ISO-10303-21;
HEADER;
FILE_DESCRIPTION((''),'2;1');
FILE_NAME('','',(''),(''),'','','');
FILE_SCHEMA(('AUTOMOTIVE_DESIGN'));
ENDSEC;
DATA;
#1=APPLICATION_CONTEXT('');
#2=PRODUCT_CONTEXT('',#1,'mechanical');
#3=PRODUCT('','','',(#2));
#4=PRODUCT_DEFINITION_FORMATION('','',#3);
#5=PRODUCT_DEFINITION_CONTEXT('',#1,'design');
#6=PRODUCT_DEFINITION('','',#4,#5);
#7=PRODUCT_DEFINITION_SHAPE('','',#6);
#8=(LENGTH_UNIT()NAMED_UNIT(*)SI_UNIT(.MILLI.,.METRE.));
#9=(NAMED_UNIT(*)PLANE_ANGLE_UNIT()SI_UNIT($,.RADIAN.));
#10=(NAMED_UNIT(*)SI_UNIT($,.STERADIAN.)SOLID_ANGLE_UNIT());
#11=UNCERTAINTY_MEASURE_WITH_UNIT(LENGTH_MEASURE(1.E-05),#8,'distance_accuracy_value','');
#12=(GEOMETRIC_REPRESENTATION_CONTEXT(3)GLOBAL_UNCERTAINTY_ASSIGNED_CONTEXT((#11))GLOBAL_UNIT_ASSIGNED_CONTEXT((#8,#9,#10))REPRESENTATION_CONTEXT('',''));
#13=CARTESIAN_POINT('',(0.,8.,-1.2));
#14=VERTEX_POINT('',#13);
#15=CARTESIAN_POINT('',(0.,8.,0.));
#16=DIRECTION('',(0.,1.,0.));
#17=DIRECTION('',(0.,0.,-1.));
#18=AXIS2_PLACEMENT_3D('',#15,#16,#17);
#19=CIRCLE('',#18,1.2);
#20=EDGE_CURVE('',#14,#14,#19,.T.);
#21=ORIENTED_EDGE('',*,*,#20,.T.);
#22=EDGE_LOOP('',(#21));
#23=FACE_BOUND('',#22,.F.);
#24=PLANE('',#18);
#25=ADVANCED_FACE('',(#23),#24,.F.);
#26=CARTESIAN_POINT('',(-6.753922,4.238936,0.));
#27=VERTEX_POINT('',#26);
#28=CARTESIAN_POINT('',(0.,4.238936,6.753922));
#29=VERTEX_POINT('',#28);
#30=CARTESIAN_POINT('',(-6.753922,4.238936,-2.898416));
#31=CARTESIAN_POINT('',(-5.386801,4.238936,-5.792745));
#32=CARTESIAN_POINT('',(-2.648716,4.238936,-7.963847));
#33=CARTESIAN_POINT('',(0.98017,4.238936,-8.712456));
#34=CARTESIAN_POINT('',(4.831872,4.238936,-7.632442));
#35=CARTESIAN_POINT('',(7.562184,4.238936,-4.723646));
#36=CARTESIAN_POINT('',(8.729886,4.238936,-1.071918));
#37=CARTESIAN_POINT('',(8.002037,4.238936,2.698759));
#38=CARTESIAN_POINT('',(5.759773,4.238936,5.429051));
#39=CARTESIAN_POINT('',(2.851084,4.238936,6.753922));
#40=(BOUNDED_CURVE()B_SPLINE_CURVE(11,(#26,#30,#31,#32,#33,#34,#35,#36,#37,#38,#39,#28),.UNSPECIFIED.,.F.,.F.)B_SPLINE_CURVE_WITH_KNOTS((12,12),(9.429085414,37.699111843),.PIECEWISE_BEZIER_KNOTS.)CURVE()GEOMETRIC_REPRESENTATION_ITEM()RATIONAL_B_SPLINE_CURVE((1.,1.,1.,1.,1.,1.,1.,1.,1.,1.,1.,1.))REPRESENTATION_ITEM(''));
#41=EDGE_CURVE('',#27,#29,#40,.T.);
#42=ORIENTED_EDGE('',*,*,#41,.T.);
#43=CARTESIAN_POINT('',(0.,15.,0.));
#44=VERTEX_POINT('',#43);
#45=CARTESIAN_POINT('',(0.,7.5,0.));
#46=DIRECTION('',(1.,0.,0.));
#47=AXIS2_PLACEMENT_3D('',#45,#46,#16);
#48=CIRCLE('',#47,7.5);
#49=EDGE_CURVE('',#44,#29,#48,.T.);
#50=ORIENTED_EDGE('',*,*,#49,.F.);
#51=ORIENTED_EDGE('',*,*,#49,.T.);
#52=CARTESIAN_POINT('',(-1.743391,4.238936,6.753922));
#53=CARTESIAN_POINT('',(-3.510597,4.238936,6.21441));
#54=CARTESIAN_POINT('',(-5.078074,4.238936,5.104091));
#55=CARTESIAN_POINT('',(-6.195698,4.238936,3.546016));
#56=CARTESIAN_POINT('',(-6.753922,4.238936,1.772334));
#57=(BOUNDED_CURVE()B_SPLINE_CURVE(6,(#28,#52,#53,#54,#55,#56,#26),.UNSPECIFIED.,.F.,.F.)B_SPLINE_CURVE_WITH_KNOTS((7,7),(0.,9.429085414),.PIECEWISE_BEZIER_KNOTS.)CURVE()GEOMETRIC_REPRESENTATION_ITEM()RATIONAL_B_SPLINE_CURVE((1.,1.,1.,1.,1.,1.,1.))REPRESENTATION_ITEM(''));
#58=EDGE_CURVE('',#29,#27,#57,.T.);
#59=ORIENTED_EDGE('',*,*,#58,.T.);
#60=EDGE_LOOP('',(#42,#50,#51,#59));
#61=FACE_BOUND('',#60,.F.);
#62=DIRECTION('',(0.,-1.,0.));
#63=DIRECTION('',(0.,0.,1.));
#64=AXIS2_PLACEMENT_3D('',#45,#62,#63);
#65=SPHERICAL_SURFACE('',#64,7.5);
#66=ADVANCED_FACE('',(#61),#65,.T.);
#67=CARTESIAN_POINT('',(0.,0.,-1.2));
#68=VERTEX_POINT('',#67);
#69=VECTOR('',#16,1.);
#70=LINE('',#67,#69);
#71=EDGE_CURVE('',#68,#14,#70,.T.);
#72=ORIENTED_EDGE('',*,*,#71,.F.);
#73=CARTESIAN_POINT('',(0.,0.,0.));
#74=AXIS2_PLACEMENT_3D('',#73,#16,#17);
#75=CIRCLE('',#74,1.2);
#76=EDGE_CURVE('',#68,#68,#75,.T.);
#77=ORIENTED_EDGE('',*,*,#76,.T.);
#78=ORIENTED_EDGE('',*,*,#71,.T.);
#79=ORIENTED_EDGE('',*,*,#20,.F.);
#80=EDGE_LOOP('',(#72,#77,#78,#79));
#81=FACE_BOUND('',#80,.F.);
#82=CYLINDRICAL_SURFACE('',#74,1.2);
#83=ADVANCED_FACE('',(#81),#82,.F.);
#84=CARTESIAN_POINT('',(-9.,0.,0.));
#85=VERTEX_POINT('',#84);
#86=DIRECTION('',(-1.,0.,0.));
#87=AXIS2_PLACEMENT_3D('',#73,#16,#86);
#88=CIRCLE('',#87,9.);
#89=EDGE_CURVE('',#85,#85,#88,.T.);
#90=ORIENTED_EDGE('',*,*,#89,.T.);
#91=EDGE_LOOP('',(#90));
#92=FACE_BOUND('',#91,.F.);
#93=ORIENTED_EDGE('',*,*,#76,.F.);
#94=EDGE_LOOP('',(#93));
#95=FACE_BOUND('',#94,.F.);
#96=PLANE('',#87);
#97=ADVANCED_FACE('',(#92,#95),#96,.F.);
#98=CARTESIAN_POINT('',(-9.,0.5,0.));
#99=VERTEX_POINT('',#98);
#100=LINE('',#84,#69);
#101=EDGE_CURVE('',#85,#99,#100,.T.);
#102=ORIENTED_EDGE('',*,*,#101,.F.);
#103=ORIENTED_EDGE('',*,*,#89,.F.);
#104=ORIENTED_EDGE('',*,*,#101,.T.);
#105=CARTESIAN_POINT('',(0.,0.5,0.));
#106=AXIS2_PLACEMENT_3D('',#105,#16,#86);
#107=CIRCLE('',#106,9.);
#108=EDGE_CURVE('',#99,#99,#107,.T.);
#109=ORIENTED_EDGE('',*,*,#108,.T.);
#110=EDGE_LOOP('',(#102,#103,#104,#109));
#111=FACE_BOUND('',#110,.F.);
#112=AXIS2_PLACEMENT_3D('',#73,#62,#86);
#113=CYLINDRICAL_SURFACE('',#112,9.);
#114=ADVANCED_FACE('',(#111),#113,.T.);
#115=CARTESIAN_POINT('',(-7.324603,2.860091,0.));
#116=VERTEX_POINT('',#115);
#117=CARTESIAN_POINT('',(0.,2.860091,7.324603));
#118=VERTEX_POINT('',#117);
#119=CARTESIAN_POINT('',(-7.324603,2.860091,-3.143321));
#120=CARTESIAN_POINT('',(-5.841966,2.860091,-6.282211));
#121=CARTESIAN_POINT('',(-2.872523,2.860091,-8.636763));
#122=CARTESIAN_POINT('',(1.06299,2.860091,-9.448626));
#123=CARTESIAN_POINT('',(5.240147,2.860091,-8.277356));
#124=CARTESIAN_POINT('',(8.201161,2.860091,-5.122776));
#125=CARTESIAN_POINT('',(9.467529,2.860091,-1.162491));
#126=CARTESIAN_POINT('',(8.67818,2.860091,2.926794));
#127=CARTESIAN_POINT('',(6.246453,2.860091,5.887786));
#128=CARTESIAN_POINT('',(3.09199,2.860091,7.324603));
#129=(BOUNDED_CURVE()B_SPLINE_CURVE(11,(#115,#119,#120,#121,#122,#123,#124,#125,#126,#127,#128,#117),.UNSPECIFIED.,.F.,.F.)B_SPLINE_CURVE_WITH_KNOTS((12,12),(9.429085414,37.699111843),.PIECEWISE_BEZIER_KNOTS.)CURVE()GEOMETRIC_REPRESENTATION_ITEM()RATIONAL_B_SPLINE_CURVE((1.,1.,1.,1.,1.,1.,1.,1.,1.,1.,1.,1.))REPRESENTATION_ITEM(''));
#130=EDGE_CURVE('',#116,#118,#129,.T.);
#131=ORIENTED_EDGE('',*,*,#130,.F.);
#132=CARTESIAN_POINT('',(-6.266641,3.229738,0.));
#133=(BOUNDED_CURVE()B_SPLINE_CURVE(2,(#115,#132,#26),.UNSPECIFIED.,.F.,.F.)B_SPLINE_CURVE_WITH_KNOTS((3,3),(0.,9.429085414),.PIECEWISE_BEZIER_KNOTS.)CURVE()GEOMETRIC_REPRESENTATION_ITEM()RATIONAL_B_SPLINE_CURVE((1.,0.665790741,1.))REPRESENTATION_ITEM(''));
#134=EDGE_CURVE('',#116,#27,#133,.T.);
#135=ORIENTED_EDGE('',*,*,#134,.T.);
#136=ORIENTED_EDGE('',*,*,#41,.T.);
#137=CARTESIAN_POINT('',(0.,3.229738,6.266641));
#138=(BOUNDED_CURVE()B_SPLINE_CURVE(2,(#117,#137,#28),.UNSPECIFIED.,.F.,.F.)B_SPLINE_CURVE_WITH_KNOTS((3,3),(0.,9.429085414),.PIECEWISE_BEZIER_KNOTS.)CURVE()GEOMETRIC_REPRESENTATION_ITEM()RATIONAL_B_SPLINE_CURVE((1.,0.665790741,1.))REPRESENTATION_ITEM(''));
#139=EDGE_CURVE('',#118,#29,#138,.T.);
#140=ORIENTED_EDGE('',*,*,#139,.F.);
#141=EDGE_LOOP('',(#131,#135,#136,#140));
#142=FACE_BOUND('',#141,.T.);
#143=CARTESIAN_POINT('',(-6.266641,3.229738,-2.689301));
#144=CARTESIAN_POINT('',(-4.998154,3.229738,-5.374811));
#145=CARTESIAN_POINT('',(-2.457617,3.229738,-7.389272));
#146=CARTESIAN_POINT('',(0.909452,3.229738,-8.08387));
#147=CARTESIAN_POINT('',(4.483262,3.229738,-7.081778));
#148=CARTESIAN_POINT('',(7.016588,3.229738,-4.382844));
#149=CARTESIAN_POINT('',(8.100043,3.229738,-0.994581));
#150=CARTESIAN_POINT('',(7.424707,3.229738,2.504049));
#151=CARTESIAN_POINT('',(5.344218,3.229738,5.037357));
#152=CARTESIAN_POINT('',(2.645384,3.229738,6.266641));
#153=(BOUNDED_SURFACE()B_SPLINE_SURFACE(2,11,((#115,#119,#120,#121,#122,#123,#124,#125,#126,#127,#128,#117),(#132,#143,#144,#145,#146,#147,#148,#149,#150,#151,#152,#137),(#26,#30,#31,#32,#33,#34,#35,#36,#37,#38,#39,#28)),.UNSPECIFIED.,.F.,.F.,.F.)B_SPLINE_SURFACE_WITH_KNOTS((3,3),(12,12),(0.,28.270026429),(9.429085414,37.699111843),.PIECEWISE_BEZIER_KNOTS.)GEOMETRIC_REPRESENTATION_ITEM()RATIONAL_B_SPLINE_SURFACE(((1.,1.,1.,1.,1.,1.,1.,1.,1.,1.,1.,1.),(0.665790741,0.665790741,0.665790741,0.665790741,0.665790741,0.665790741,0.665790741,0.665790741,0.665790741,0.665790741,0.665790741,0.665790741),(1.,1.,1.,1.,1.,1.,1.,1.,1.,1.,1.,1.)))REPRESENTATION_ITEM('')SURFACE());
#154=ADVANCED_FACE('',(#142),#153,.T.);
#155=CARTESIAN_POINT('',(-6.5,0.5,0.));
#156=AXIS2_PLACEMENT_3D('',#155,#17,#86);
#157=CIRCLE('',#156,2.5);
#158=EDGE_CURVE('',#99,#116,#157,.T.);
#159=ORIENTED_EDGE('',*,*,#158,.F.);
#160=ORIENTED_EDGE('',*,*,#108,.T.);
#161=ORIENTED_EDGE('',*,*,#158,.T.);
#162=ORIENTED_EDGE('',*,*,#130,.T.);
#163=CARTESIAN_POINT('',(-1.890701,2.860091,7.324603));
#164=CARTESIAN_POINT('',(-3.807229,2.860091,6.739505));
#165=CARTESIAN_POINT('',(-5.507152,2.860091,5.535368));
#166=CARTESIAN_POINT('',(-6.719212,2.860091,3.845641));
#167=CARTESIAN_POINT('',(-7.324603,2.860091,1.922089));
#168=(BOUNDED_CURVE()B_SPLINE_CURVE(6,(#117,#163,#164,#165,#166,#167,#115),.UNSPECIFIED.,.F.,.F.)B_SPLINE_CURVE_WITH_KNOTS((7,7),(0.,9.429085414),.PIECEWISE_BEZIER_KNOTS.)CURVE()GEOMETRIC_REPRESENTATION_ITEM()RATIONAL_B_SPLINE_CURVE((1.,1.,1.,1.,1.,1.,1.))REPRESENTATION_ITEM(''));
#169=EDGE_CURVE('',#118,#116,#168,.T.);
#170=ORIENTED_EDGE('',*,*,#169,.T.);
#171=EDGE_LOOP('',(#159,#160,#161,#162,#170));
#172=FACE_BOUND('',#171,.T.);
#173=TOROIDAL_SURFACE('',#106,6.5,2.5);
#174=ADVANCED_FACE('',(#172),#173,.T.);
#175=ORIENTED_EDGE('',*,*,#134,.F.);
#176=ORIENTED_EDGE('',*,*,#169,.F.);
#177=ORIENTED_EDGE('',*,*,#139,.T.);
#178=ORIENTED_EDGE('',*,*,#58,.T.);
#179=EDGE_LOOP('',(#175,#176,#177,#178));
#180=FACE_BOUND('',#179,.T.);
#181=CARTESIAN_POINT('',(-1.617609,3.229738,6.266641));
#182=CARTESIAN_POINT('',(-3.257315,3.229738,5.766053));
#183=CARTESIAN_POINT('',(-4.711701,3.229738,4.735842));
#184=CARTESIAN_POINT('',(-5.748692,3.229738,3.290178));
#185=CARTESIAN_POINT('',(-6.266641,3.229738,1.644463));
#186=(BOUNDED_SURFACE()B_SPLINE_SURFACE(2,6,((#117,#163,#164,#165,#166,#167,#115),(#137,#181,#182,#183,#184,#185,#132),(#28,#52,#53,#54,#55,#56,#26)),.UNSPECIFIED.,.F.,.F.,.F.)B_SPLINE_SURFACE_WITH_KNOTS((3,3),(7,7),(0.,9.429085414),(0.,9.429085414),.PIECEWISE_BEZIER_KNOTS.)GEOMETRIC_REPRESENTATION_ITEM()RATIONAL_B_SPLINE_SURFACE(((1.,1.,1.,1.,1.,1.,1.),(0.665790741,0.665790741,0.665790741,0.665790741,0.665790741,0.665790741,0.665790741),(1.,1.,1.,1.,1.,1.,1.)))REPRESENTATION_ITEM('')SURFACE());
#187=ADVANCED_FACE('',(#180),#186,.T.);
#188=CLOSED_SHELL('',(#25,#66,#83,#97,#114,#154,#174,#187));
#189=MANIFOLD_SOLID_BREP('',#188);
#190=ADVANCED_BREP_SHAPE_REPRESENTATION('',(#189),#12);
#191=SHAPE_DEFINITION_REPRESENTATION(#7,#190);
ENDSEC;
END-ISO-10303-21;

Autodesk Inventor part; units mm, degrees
ref_plane "YZ Plane" through (0, 0, 0) normal (1, 0, 0) x (0, 1, 0)
ref_plane "XZ Plane" through (0, 0, 0) normal (0, 1, 0) x (-1, 0, 0)
ref_plane "XY Plane" through (0, 0, 0) normal (0, 0, 1) x (1, 0, 0)
sketch "Esboço1" plane through (0, 0, 0) normal (0, 1, 0) x (-1, 0, 0)
  circle A0 centre (0, 0) radius 9
  dimension "d0" = 18
extrude "Extrusão1" add sketch "Esboço1" along normal blind 3
fillet "Arredondamento1" radius 2.5 1 edges at (9, 3, 0)
sketch "Esboço2" plane through (0, 0, 0) normal (1, 0, 0) x (0, 1, 0)
  line L0 (3, 6.5) -> (3, -6.5) projected
  line L1 (0, 0) -> (13.7463, 0)
  arc A0 (15, 0) -> (0, 0) centre (7.5, 0) ccw
  line L2 (0, 9) -> (0, -9) projected
  line L3 (15, 0) -> (0, 0)
  dimension "d4" = 15
revolve "Revolução1" add sketch "Esboço2" angle 360 about axis through (0, 0, 0) along (0, 1, 0)
fillet "Arredondamento2" radius 1 1 edges at (0, 3, -6)
hole "Furo1" at (0, 0, 0) direction (0, 1, 0) diameter 2.4 depth 8 clearance for "Countersunk Flat Head Screw ISO 2009/7046" size "M2" standard "ISO"
properties part number "Puxador" material "Plástico PC/ABS"
